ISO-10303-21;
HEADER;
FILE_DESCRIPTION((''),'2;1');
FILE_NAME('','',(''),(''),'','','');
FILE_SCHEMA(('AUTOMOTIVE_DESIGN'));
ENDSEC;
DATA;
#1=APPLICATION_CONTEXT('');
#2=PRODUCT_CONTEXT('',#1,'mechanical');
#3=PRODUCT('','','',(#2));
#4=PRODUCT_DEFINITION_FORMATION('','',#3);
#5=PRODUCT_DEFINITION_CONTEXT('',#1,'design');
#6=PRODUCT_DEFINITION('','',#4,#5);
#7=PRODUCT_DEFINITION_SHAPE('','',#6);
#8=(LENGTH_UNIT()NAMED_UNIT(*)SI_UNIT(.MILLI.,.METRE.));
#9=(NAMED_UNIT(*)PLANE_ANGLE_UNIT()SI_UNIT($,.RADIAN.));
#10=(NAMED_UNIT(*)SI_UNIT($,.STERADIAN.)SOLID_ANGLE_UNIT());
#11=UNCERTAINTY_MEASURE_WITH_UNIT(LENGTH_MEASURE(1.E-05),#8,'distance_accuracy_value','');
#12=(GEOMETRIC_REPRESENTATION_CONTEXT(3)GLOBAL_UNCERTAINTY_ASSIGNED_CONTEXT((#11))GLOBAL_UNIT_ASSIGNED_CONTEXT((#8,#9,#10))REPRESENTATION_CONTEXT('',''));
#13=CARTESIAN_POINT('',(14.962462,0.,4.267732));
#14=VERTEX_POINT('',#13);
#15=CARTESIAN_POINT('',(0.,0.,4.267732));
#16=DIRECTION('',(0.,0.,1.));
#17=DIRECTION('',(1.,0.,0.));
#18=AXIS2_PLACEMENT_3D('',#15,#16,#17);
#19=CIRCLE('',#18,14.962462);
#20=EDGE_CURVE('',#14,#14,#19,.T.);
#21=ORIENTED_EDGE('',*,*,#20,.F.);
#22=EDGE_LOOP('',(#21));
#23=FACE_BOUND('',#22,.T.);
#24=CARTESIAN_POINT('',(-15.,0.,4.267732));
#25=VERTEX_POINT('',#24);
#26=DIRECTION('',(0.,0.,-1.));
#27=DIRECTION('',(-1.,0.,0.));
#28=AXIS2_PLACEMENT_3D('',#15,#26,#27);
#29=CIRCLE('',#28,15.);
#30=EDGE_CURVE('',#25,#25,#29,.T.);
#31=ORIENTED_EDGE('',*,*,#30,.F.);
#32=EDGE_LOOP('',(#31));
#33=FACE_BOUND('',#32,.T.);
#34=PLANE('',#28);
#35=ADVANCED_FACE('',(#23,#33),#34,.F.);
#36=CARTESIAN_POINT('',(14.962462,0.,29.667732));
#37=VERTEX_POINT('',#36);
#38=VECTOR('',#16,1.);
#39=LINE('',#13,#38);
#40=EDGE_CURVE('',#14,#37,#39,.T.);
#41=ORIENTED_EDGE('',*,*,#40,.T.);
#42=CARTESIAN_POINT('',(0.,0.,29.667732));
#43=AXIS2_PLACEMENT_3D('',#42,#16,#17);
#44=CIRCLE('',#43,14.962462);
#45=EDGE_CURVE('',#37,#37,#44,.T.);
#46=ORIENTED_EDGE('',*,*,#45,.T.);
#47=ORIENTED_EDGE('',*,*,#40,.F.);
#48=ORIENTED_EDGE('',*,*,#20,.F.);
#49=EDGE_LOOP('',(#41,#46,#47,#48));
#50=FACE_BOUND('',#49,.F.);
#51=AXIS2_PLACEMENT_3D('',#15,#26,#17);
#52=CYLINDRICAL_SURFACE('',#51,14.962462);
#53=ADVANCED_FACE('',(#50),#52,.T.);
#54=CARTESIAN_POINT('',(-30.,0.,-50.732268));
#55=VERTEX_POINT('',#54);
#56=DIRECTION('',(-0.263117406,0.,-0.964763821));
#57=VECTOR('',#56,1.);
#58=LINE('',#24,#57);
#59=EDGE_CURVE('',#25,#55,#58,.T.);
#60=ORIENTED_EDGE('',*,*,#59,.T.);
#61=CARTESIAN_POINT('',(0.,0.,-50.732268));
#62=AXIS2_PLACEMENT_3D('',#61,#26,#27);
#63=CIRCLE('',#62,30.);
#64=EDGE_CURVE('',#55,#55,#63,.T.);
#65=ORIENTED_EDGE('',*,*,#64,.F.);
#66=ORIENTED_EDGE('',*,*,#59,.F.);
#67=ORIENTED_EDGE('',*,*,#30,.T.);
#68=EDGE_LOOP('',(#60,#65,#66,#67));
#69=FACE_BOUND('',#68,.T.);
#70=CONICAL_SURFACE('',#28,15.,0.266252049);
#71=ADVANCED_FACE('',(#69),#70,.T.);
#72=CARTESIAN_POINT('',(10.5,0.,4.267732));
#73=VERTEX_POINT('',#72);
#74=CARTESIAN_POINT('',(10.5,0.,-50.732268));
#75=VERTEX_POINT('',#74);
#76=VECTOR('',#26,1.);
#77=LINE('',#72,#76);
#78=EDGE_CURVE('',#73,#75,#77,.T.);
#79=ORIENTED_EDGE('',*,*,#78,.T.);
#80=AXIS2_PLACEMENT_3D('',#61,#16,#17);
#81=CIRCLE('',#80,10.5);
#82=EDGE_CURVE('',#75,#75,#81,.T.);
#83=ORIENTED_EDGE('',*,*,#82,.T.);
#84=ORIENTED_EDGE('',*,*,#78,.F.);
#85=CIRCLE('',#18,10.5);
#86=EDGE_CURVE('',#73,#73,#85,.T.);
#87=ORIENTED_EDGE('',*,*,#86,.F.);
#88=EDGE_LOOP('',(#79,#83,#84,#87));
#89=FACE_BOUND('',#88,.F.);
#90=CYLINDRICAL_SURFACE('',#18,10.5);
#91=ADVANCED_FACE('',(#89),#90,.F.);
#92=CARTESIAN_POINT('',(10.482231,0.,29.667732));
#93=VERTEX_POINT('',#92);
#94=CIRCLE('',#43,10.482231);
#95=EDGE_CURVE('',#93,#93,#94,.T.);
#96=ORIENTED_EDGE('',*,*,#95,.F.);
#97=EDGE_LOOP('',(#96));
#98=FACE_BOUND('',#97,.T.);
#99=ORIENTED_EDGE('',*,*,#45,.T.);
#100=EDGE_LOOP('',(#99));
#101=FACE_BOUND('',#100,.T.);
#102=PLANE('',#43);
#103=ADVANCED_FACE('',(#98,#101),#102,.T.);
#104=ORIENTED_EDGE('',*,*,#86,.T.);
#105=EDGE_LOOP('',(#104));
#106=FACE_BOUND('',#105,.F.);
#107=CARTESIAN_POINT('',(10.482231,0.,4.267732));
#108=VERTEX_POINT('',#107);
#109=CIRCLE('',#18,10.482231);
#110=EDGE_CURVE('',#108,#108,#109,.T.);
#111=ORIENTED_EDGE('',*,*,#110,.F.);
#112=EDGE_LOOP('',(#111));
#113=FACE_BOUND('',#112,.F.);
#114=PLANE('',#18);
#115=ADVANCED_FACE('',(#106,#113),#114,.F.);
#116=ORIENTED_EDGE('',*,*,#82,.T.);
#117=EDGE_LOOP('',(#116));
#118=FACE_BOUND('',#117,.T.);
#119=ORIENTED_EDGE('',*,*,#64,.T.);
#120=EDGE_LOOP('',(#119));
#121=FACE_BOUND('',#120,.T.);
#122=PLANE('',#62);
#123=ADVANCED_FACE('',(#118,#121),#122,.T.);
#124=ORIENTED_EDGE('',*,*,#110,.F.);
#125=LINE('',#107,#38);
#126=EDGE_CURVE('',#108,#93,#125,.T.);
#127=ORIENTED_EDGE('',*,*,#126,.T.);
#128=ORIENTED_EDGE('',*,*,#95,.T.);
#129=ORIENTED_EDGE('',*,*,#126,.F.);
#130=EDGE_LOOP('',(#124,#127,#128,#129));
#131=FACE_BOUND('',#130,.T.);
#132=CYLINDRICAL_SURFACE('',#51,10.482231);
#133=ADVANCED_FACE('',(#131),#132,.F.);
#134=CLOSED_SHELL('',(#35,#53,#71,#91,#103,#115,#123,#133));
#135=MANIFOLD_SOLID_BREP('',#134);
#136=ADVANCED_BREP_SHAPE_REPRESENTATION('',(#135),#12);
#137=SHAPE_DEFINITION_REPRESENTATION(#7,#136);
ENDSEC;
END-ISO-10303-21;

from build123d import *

# Parameters (mm, degrees)
F2_R     = 10.5
F3_DEPTH = 90.17
F4_R     = 14.962462
F4_R_2   = 10.482231
F5_DEPTH = 25.4


with BuildPart() as f1:
    # F0 (on Front) → F1 (revolve)
    with BuildSketch(Plane.XZ):
        Polygon((0, -50.732268), (0, 4.267732), (-15, 4.267732), (-30, -50.732268), align=None)
    revolve(axis=Axis((0, 0, -23.232268), (0, 0, -1)))

    # F2 (on face) → F3 (cut)
    with BuildSketch(Plane.XY.offset(4.267732)):
        Circle(F2_R)
    extrude(amount=-F3_DEPTH, mode=Mode.SUBTRACT)

    # F4 (on face) → F5 (join)
    with BuildSketch(Plane.XY.offset(4.267732)):
        Circle(F4_R)
        Circle(F4_R_2, mode=Mode.SUBTRACT)
    extrude(amount=F5_DEPTH)


solid = f1.part
